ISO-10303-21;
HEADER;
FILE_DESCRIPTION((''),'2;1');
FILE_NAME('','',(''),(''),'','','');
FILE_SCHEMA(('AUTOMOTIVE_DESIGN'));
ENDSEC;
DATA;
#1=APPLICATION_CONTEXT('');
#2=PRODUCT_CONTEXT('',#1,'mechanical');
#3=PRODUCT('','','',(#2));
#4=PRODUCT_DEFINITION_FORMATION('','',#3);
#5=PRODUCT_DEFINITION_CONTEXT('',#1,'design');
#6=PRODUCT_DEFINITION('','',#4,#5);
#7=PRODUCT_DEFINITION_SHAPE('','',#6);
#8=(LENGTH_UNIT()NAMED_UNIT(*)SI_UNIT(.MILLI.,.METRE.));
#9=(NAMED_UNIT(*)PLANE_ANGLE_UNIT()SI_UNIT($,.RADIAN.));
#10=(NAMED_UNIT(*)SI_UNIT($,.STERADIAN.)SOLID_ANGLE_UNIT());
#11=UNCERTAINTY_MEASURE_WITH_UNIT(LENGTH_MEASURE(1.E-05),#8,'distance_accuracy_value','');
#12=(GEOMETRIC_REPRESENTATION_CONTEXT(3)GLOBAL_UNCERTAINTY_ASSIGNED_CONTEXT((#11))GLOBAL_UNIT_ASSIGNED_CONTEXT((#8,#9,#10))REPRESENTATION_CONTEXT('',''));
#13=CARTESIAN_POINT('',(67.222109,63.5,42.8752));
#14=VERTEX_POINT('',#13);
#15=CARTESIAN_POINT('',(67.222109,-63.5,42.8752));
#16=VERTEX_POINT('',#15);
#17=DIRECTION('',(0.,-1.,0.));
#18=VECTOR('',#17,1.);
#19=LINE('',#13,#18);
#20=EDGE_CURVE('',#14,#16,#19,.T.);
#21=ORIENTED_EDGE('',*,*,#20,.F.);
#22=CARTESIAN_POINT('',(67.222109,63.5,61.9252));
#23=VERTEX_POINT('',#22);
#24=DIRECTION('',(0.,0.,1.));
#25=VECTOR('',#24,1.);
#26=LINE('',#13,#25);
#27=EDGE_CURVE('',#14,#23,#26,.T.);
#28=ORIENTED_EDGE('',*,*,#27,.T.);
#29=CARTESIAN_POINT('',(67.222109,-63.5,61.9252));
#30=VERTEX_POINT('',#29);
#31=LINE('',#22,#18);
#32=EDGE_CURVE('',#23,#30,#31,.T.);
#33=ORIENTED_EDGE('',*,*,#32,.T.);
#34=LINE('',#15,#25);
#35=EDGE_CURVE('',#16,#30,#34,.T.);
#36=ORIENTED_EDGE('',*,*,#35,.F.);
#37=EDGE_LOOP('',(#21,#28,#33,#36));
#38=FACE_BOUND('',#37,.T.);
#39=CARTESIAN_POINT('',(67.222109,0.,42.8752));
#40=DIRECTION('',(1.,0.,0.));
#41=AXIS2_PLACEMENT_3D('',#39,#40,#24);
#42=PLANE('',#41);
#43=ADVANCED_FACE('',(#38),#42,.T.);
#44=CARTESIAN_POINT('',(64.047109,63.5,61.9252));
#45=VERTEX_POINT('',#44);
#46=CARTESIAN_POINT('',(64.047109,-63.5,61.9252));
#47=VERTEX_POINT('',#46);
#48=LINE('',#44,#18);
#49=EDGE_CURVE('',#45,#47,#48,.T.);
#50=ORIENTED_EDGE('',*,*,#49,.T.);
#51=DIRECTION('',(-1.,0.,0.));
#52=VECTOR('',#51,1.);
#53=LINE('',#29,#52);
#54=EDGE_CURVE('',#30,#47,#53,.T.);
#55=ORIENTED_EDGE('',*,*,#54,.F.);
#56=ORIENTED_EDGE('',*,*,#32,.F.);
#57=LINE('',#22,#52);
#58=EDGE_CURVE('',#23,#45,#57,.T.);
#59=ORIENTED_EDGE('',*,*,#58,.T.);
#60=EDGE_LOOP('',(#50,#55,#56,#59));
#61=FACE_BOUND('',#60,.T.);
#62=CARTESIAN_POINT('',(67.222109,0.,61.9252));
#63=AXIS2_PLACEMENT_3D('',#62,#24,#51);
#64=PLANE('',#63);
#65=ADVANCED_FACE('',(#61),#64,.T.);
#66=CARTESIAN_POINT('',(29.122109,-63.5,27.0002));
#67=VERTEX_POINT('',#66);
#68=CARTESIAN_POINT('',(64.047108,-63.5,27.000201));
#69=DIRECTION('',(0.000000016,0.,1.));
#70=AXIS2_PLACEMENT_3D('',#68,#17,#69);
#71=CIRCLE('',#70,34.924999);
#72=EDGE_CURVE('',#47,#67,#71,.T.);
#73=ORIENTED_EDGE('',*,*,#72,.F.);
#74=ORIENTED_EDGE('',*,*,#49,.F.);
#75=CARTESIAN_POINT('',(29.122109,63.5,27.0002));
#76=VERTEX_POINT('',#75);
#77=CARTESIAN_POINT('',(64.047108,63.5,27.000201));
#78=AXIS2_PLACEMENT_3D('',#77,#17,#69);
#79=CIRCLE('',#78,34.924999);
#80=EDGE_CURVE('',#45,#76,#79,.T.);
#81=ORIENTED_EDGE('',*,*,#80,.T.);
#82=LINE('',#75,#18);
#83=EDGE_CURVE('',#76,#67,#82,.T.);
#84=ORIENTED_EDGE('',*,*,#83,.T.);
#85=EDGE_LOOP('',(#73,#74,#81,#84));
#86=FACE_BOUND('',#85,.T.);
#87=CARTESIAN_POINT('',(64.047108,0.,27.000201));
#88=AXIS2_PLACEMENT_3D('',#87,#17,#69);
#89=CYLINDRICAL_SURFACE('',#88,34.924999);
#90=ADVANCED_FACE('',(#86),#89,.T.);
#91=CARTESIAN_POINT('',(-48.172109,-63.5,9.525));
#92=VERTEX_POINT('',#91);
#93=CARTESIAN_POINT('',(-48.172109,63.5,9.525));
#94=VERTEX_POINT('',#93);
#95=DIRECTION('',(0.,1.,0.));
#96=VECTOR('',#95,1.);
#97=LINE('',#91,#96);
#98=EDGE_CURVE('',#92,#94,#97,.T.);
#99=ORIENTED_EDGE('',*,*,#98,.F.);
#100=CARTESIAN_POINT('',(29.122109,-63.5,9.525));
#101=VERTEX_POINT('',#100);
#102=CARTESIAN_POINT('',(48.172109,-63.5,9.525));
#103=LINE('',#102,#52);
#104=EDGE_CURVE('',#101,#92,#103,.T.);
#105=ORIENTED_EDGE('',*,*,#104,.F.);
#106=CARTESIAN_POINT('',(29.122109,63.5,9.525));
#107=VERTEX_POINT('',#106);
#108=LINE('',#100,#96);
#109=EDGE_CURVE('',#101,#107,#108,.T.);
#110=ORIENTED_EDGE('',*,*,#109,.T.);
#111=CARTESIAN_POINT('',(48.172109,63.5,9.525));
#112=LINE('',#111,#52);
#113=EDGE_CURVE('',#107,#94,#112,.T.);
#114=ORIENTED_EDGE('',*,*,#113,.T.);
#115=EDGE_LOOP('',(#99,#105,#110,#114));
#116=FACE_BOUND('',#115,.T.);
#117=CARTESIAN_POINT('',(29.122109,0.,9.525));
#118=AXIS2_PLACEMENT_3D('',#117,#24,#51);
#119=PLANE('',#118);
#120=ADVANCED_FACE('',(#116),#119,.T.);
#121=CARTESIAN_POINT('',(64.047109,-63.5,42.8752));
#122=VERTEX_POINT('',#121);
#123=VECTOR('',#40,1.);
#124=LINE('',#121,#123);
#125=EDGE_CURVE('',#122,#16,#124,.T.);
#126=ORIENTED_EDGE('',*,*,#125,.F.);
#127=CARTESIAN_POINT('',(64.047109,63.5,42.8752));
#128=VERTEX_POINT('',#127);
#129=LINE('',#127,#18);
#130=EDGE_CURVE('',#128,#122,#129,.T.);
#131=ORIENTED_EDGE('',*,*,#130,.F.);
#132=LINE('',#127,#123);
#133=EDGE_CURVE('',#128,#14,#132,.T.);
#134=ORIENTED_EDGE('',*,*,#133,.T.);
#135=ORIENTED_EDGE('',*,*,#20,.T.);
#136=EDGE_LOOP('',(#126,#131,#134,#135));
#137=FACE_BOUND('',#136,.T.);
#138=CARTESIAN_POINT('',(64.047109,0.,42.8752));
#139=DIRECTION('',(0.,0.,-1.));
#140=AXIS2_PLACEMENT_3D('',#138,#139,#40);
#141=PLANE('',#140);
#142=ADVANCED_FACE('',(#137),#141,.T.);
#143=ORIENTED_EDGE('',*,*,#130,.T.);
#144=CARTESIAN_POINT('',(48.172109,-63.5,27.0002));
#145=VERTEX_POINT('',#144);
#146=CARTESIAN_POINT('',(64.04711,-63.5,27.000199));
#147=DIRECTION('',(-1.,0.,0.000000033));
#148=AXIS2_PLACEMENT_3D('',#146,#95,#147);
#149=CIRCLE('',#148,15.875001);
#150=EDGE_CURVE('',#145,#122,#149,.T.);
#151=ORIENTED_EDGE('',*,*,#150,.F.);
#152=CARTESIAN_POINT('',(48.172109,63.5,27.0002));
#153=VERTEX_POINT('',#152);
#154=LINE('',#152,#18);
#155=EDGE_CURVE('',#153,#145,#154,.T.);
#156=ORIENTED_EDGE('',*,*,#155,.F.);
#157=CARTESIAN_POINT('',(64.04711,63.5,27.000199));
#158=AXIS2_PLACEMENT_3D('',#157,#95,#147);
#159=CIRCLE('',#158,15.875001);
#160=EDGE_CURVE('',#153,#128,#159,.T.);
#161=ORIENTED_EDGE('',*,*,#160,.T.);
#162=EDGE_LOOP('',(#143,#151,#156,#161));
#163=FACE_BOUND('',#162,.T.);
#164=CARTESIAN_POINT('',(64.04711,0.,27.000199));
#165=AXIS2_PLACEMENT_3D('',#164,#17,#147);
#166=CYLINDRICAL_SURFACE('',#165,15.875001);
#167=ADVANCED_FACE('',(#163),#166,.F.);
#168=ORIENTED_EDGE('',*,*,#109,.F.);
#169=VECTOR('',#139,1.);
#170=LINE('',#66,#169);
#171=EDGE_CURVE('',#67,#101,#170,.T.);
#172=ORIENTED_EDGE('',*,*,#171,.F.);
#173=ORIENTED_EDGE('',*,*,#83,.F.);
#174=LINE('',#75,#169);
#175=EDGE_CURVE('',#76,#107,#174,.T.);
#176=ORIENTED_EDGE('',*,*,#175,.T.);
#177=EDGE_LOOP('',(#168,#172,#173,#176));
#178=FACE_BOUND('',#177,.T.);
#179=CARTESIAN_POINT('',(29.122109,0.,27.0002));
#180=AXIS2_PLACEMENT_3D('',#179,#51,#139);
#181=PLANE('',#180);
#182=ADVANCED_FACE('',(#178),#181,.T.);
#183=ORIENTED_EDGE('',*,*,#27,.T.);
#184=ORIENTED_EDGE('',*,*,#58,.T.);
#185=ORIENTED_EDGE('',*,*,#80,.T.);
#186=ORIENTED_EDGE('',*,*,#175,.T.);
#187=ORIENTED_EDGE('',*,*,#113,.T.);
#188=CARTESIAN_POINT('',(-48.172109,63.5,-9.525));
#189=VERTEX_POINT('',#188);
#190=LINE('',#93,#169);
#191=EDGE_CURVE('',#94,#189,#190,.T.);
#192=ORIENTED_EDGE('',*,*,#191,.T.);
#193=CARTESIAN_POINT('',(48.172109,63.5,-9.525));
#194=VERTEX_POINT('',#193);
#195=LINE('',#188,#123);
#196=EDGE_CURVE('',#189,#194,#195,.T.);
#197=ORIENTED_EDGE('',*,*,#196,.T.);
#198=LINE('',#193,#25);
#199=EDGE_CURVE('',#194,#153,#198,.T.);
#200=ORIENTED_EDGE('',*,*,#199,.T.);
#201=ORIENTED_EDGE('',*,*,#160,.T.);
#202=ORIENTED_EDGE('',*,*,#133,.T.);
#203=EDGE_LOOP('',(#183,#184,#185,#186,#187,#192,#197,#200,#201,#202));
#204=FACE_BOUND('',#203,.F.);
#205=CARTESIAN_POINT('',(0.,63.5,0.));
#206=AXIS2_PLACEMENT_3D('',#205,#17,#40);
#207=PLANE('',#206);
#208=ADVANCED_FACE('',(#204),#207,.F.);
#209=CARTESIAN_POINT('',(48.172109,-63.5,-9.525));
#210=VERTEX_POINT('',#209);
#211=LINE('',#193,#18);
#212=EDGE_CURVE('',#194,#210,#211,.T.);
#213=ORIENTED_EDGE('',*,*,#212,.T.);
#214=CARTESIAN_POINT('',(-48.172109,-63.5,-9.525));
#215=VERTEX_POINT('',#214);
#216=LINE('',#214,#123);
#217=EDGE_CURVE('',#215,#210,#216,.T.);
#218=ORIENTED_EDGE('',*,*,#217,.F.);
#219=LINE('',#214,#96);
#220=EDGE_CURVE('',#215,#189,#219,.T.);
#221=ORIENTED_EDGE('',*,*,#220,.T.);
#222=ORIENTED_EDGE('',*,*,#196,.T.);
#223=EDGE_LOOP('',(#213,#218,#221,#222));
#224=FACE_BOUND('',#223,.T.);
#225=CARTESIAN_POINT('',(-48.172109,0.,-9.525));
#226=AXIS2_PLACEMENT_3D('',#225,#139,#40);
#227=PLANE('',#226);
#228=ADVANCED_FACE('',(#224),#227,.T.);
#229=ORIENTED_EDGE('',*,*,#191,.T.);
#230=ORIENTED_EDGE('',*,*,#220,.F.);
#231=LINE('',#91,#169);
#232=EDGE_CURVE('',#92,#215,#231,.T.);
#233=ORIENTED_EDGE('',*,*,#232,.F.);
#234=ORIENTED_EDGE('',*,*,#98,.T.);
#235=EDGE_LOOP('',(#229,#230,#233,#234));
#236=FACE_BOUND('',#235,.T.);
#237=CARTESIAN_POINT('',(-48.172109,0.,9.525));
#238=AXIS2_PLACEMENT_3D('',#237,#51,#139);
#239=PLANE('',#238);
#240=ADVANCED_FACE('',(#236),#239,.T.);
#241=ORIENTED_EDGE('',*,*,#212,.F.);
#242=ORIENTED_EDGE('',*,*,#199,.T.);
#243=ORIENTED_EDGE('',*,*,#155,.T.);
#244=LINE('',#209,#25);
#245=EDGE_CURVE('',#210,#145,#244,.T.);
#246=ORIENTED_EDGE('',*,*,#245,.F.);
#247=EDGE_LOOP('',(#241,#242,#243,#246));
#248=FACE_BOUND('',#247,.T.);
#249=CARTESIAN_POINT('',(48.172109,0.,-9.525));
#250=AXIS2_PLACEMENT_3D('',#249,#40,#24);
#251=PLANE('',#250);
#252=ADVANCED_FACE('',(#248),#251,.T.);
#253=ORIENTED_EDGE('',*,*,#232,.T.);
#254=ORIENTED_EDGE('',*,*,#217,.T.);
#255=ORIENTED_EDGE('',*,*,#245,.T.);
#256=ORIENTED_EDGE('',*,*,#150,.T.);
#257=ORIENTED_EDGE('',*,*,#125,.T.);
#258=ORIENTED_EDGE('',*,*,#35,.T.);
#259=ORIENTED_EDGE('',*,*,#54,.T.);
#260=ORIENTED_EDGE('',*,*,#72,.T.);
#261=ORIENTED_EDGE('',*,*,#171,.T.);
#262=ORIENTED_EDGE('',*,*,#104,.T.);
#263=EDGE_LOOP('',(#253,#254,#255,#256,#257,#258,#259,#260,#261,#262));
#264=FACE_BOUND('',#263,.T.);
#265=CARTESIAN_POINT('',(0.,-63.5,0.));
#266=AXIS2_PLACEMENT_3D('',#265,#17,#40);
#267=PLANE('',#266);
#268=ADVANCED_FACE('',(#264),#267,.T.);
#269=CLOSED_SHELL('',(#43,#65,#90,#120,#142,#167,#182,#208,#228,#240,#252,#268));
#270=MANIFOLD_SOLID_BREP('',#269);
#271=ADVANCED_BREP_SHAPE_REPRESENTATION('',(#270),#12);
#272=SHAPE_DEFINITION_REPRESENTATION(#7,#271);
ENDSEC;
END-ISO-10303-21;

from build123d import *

# Parameters (mm, degrees)
F1_DEPTH = 63.5


with BuildPart() as f1:
    # F0 (on Front) → F1 (new body, symmetric)
    with BuildSketch(Plane.XZ):
        Polygon((-48.172109, -9.525), (48.172109, -9.525), (48.172109, 9.525), (29.122109, 9.525), (-48.172109, 9.525), align=None)
        with BuildLine():
            Line((67.222109, 61.9252), (64.047109, 61.9252))
            ThreePointArc((64.047109, 61.9252), (39.351404, 51.695904), (29.122109, 27.0002))
            Line((29.122109, 27.0002), (29.122109, 9.525))
            Line((29.122109, 9.525), (48.172109, 9.525))
            Line((48.172109, 9.525), (48.172109, 27.0002))
            ThreePointArc((48.172109, 27.0002), (52.821789, 38.22552), (64.047109, 42.8752))
            Line((64.047109, 42.8752), (67.222109, 42.8752))
            Line((67.222109, 42.8752), (67.222109, 61.9252))
        make_face()
    extrude(amount=F1_DEPTH, both=True)


solid = f1.part
